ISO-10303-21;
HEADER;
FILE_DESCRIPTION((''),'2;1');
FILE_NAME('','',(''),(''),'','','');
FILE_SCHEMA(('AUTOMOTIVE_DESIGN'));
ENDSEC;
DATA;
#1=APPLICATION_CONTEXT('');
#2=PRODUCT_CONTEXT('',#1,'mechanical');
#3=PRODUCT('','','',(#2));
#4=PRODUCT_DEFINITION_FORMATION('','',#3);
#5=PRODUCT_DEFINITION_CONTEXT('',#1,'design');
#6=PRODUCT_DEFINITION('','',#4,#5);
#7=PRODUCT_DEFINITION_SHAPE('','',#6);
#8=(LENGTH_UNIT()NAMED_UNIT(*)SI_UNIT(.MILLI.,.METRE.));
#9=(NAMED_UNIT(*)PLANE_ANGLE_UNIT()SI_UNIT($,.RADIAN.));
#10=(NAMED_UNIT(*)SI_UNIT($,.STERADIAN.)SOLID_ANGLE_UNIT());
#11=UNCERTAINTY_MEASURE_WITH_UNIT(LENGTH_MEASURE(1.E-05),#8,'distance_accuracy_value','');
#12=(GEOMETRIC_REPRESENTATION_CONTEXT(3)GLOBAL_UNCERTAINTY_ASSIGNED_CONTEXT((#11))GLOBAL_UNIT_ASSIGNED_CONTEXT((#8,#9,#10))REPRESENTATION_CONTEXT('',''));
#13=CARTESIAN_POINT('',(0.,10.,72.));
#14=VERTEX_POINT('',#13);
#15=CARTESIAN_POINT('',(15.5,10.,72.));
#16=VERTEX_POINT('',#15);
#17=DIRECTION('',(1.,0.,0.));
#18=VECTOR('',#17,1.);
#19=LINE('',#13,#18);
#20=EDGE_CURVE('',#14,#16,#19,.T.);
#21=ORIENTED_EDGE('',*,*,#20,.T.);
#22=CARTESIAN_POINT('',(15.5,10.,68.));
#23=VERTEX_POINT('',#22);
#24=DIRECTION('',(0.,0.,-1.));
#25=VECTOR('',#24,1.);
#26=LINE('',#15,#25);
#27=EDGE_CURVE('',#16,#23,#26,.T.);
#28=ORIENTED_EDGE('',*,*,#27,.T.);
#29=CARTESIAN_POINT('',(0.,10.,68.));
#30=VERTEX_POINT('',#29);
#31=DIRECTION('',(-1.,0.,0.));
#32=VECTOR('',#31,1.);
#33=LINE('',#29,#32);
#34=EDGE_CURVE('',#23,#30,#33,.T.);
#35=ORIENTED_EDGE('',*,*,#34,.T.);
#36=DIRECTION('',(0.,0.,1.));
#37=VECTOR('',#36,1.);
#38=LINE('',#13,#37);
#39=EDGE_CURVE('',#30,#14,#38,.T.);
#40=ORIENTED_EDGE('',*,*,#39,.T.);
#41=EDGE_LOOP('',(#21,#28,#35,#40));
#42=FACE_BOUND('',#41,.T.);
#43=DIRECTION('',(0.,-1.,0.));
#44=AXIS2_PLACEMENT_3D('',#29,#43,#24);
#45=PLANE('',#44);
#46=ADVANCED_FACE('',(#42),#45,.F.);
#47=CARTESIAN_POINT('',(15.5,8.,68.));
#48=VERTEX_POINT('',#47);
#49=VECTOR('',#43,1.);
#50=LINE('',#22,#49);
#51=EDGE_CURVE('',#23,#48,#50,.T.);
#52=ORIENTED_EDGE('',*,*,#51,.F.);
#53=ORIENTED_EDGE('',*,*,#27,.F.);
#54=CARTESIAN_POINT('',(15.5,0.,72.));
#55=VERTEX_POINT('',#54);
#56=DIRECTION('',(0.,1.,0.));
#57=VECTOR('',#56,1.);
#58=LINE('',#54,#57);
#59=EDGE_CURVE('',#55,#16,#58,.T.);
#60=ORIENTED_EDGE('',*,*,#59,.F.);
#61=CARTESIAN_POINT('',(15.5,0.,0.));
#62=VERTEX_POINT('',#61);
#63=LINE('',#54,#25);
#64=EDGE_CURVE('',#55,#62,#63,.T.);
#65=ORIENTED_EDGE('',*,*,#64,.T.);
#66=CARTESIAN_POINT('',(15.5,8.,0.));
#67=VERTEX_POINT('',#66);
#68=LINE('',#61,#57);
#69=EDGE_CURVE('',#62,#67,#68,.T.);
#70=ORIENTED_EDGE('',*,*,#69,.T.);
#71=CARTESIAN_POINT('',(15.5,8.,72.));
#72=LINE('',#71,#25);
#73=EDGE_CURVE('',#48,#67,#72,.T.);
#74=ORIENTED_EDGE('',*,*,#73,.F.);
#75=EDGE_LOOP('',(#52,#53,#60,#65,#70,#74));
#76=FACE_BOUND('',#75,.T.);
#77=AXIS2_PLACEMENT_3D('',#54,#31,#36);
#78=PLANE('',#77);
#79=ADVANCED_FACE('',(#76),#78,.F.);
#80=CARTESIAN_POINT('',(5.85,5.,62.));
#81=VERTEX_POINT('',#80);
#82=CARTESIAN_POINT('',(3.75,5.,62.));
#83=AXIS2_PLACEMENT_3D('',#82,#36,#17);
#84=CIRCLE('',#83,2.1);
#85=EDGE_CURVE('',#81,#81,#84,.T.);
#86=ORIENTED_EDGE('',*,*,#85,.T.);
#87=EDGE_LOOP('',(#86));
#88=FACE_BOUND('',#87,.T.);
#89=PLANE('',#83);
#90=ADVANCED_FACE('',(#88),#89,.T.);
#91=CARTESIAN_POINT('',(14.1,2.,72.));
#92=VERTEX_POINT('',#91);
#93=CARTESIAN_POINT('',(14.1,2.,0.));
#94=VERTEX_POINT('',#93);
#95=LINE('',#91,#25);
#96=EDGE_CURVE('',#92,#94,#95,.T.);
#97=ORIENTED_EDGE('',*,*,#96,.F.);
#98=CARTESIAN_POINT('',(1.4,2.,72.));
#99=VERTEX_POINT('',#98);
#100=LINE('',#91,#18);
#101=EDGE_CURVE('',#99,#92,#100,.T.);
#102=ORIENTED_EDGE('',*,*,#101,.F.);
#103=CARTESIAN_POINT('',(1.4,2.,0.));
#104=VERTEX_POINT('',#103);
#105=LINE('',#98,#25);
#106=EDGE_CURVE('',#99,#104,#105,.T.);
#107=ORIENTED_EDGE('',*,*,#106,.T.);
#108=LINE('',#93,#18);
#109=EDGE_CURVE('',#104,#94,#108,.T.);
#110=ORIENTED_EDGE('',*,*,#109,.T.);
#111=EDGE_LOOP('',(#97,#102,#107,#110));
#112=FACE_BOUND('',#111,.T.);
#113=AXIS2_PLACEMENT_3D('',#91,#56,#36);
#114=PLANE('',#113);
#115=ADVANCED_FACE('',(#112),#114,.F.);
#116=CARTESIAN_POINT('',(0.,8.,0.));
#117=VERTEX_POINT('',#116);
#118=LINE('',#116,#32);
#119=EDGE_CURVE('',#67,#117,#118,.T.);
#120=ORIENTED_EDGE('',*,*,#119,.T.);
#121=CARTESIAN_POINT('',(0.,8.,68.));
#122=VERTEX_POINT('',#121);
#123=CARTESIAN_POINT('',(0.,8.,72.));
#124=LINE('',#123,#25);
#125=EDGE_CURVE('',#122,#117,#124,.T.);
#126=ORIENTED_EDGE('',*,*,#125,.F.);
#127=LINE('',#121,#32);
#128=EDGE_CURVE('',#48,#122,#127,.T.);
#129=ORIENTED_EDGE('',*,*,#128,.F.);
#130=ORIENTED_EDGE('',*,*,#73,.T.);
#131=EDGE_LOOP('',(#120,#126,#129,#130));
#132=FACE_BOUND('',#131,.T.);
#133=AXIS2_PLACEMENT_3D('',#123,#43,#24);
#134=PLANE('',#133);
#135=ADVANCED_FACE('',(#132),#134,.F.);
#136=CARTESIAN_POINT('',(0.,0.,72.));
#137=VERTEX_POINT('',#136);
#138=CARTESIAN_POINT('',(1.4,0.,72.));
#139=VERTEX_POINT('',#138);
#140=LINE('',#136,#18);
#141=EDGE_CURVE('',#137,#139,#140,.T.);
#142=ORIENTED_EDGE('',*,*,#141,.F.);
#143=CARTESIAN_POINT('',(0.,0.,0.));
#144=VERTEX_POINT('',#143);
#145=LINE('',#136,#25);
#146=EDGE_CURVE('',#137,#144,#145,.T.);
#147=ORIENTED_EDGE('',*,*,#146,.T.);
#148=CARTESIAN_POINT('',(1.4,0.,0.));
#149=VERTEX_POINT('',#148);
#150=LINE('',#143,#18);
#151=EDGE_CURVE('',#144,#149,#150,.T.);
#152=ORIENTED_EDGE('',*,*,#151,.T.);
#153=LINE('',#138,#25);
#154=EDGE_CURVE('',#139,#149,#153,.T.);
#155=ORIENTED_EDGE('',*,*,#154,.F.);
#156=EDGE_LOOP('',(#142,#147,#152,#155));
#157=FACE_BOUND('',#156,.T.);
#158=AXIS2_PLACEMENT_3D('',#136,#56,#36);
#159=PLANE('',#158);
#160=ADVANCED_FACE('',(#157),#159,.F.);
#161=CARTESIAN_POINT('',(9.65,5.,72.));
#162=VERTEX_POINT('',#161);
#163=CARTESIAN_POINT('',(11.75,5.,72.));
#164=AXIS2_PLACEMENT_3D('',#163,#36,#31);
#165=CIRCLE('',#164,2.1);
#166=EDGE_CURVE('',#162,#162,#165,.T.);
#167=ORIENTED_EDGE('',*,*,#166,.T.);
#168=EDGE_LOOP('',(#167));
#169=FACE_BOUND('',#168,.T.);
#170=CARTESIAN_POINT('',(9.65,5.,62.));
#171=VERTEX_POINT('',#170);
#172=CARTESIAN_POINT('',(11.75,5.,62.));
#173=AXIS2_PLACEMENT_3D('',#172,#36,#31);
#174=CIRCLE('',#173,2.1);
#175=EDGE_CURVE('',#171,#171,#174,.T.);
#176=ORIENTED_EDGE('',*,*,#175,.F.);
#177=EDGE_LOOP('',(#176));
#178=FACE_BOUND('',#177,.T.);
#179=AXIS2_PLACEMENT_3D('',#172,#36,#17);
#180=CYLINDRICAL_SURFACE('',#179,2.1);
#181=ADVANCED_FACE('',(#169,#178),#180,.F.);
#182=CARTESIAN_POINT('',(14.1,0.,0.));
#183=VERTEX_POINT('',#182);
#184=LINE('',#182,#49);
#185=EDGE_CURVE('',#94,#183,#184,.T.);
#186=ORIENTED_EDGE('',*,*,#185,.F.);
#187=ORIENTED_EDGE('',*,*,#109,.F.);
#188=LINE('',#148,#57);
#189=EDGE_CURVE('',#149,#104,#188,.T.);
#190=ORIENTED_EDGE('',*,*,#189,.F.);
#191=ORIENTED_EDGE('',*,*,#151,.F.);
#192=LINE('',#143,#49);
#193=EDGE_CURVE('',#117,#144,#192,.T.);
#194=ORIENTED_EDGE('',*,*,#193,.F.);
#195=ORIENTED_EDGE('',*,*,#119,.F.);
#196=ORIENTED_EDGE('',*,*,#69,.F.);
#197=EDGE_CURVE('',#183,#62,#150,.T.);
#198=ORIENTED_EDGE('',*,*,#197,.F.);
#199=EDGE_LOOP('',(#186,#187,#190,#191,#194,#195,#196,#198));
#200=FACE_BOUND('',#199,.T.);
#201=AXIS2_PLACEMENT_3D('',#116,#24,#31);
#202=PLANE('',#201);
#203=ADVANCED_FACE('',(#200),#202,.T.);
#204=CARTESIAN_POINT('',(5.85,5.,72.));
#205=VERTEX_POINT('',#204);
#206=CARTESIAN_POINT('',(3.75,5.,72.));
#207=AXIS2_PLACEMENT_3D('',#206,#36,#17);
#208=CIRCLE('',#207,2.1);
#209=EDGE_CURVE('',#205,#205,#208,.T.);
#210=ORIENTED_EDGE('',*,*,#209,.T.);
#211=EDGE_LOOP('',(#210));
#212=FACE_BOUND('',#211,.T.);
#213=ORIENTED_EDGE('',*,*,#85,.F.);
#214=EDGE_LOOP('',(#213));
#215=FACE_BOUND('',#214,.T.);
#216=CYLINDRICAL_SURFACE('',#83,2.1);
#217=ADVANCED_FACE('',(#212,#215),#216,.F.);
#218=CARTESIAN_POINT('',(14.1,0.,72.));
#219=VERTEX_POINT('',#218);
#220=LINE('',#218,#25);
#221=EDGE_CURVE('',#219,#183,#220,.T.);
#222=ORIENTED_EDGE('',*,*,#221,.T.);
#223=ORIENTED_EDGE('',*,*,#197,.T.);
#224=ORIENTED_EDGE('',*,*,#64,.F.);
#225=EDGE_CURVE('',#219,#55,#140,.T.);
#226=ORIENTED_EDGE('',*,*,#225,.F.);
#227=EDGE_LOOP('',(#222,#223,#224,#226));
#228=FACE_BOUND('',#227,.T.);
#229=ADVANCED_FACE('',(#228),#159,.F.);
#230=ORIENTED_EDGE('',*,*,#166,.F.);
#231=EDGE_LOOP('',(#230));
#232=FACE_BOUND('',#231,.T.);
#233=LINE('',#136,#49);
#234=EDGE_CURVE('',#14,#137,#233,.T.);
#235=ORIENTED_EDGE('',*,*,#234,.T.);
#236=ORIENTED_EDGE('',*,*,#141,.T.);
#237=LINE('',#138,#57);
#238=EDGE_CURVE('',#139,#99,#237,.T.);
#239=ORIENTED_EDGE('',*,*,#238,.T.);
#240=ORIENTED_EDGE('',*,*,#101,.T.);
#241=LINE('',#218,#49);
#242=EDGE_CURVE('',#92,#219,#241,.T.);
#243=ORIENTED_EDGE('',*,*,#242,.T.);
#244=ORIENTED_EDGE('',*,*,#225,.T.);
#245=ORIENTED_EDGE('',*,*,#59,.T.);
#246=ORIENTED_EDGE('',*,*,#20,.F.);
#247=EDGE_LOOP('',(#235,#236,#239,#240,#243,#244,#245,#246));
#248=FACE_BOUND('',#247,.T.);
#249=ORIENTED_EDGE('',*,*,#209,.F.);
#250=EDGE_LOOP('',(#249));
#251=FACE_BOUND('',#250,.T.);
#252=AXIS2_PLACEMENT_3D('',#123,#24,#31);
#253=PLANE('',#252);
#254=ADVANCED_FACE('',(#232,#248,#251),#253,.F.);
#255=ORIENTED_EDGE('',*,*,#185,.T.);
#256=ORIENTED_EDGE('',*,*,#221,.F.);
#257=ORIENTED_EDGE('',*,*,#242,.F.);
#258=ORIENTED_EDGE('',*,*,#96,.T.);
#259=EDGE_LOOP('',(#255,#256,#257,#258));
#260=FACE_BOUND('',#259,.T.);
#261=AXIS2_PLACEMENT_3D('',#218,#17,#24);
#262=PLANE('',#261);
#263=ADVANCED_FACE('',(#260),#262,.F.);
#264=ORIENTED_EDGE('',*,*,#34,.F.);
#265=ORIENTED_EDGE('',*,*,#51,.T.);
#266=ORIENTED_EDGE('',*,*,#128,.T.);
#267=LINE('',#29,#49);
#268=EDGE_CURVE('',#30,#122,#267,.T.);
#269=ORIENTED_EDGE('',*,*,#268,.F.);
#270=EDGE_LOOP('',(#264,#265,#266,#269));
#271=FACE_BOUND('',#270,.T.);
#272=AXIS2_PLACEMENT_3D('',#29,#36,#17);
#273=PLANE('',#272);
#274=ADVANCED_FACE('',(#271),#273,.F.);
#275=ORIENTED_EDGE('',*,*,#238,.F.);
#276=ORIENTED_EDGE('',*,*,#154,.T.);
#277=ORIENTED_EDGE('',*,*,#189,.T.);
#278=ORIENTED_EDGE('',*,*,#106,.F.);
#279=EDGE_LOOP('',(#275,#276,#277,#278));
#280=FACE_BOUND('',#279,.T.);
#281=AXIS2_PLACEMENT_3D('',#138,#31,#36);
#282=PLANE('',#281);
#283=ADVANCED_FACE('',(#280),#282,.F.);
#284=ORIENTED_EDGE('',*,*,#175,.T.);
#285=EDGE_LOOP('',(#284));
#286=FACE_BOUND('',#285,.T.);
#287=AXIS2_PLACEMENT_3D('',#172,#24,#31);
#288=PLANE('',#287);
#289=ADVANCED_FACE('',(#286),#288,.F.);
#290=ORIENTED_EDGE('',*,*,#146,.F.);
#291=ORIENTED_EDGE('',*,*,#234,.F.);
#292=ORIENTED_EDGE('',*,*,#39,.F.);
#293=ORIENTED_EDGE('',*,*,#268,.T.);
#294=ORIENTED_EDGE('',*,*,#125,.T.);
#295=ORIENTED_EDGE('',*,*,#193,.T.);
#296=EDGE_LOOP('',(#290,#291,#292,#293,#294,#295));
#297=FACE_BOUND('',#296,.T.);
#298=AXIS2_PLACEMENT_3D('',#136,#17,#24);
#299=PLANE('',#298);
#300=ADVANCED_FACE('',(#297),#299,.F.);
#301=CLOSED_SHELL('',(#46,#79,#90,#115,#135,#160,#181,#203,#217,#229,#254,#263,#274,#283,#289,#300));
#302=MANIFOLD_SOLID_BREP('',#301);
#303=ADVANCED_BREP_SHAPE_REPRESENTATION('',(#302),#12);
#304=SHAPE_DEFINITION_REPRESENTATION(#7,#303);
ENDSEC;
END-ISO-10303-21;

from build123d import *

# Parameters (mm, degrees)
SKETCH_1_W          = 15.5
SKETCH_1_H          = 8
EXTRUDE_1_DEPTH     = 72
SKETCH_2_W          = 12.7
SKETCH_2_H          = 2
CUT_EXTRUDE_1_DEPTH = 75.082724032
SKETCH_3_W          = 15.5
SKETCH_3_H          = 4
EXTRUDE_2_DEPTH     = 2
SKETCH_5_R          = 2.1
CUT_EXTRUDE_3_DEPTH = 10


with BuildPart() as part:
    # 草图1 → 凸台-拉伸1 (new body)
    with BuildSketch(Plane.XY):
        with Locations((7.75, 4)):
            Rectangle(SKETCH_1_W, SKETCH_1_H)
    extrude(amount=EXTRUDE_1_DEPTH)

    # 草图2 → 切除-拉伸1 (cut, through all)
    with BuildSketch(Plane(origin=(0, 0, 0), x_dir=(-1, 0, 0), z_dir=(0, 0, -1))):
        with Locations((-7.75, 1)):
            Rectangle(SKETCH_2_W, SKETCH_2_H)
    extrude(amount=-CUT_EXTRUDE_1_DEPTH, mode=Mode.SUBTRACT)

    # 草图3 → 凸台-拉伸2 (add)
    with BuildSketch(Plane(origin=(0, 8, 0), x_dir=(1, 0, 0), z_dir=(0, 1, 0))):
        with Locations((7.75, -70)):
            Rectangle(SKETCH_3_W, SKETCH_3_H)
    extrude(amount=EXTRUDE_2_DEPTH)

    # 草图5 → 切除-拉伸3 (cut)
    with BuildSketch(Plane.XY.offset(72)):
        with Locations((3.75, 5)):
            Circle(SKETCH_5_R)
        with Locations(Location((11.75, 5, 0), (0, 0, 180))):
            Circle(SKETCH_5_R)
    extrude(amount=-CUT_EXTRUDE_3_DEPTH, mode=Mode.SUBTRACT)


solid = part.part
